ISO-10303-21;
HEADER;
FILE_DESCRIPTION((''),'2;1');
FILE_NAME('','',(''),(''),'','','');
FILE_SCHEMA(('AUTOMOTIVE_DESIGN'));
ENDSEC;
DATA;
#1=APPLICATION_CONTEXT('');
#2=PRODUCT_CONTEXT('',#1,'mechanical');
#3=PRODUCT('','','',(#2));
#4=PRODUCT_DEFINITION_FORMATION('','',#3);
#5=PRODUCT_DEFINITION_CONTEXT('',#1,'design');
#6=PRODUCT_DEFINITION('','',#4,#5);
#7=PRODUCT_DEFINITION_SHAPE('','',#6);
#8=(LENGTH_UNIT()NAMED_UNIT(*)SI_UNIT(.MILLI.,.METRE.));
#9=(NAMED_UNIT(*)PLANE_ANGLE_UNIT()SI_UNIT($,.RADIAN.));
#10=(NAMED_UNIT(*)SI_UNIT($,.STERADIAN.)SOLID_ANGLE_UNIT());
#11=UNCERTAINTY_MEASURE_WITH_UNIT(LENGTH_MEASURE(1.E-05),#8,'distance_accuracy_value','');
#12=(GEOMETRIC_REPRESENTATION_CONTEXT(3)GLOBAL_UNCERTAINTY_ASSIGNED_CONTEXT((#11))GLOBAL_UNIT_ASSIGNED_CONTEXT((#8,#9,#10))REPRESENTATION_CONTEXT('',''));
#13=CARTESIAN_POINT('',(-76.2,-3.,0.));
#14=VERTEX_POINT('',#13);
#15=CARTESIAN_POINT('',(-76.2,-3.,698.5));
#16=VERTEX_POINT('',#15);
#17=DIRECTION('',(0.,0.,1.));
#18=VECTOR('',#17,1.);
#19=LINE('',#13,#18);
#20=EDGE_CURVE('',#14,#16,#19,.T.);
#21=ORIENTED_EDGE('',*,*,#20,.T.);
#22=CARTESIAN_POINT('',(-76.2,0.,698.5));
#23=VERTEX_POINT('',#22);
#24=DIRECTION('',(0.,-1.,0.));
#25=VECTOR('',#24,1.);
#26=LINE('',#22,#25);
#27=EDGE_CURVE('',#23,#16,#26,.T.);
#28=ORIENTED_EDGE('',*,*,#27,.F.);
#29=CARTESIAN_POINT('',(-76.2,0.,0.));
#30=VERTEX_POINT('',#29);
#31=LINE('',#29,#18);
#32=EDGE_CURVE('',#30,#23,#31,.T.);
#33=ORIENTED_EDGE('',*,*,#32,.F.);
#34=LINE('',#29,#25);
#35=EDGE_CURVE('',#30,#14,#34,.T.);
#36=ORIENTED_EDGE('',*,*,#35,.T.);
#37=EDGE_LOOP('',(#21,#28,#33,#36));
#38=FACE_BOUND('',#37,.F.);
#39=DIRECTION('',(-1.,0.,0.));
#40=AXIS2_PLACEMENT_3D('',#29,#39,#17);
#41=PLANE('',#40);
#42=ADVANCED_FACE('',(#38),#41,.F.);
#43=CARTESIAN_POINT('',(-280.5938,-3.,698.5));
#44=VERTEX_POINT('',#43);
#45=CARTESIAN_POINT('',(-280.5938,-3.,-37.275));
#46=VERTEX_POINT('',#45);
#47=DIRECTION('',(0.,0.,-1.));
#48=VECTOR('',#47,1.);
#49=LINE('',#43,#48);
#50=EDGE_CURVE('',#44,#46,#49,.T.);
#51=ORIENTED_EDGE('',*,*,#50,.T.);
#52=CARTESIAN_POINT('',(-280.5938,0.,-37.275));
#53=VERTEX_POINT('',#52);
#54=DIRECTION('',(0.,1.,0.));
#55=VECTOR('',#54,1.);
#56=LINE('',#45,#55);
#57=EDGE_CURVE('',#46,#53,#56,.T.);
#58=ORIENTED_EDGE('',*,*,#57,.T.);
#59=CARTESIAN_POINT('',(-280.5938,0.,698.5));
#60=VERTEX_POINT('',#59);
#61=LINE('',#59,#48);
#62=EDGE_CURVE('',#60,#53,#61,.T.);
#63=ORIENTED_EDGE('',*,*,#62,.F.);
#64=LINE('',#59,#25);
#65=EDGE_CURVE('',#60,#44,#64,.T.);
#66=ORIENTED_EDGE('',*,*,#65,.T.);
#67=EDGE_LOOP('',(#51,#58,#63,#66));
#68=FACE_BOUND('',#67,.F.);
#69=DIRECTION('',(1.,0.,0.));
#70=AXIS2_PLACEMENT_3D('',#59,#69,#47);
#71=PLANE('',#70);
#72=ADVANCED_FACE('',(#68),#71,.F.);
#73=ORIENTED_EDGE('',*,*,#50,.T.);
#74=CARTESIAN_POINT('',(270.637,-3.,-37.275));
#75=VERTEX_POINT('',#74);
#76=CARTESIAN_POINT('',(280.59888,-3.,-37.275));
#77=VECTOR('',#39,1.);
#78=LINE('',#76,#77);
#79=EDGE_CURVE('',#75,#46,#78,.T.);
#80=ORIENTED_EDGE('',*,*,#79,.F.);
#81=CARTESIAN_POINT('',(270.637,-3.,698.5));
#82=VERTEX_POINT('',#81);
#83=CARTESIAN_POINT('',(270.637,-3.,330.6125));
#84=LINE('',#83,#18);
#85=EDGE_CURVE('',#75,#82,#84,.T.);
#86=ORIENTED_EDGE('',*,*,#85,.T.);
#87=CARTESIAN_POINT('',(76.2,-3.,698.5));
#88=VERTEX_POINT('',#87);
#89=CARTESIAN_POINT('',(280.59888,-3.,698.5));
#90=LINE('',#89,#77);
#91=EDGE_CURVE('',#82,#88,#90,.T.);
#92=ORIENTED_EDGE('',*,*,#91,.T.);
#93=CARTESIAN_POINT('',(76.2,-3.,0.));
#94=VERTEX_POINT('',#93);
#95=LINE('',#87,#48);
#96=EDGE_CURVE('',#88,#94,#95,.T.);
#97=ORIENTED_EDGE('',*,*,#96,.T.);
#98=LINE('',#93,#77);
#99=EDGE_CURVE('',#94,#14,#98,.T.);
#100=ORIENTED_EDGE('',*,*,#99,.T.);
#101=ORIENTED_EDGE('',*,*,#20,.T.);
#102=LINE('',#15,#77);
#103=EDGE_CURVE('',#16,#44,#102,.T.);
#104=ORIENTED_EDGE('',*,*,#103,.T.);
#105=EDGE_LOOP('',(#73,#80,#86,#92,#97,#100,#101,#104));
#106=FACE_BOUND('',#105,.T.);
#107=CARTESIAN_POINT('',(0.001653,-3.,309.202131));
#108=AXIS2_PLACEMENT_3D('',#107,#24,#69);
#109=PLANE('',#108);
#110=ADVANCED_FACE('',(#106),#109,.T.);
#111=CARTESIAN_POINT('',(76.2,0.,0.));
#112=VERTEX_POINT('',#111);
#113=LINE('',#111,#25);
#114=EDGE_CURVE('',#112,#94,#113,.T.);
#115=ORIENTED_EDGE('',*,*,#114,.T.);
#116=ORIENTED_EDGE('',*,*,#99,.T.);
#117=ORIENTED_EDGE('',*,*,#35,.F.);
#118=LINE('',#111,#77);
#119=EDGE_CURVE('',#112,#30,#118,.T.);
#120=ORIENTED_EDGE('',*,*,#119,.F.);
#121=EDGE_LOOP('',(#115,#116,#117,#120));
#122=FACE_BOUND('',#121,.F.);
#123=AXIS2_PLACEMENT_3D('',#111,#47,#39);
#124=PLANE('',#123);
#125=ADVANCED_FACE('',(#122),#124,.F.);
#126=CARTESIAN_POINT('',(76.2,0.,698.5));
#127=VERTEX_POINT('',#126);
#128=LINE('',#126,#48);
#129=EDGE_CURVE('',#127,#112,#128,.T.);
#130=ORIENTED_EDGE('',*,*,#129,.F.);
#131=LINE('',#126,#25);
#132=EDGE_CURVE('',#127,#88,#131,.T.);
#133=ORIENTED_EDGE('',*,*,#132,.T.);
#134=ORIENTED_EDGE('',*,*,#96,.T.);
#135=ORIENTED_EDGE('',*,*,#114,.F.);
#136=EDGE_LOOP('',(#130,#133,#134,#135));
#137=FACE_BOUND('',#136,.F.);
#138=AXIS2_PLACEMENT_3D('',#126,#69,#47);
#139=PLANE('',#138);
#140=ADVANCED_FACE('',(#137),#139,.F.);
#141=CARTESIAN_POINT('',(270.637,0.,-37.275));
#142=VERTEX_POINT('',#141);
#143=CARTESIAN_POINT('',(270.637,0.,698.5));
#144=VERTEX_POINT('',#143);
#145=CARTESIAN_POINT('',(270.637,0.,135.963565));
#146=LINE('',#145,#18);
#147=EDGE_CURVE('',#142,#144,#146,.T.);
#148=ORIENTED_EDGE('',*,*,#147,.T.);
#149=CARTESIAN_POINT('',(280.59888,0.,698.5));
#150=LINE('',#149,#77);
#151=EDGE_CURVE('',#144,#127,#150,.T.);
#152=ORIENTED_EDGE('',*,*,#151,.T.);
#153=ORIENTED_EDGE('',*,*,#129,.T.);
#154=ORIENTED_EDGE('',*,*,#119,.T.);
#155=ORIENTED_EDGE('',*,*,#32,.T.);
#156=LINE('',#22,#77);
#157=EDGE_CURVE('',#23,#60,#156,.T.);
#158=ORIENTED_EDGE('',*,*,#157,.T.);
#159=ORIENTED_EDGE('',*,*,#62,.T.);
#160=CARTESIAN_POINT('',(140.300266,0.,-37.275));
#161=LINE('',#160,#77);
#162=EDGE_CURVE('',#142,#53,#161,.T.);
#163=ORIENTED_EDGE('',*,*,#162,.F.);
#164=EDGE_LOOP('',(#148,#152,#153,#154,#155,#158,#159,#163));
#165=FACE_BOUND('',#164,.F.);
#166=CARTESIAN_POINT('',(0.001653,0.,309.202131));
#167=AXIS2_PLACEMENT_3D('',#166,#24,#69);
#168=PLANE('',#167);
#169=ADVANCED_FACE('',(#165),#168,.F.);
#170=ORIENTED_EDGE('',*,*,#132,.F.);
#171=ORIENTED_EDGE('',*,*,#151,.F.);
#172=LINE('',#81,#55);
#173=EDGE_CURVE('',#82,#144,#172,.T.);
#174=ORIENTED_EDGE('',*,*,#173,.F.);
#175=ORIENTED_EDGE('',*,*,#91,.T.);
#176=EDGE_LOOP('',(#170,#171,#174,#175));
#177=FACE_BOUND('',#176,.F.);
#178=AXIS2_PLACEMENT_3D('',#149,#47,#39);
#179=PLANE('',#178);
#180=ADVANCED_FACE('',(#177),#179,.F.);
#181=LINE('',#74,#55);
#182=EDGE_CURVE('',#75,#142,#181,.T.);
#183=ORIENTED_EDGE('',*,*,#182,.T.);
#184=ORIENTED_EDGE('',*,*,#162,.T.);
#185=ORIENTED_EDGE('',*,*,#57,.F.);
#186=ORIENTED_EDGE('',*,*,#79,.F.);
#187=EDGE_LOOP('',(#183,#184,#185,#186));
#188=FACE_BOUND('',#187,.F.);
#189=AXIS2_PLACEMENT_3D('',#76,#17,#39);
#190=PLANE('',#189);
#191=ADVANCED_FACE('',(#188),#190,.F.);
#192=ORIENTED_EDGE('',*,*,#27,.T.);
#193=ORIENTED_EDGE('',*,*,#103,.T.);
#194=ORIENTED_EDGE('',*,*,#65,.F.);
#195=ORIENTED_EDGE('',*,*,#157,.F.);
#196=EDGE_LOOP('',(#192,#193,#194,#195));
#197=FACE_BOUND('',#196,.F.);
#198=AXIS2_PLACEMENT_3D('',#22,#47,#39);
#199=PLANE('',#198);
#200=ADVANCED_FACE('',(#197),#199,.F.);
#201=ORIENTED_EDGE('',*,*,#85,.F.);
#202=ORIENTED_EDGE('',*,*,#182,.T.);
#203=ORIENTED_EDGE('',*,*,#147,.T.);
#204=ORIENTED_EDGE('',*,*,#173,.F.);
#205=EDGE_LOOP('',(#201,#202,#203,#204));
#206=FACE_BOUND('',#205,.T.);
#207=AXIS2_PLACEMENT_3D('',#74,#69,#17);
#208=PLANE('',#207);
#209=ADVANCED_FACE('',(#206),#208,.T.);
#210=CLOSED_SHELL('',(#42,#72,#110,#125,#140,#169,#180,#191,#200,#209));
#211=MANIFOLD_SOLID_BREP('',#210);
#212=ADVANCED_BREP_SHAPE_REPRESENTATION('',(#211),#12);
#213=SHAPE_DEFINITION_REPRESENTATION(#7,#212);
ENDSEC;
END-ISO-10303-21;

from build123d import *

# Parameters (mm, degrees)
F1_DEPTH = 3
F3_DEPTH = 25.4
F4_W     = 9.96188
F4_H     = 735.775
F5_DEPTH = 25.4


with BuildPart() as f1:
    # F0 (on Front) → F1 (new body)
    with BuildSketch(Plane.XZ):
        Polygon((-76.2, 698.5), (-280.5938, 698.5), (-280.5938, -41.275), (280.59888, -41.275), (280.59888, 698.5), (76.2, 698.5), (76.2, 0), (0, 0), (-76.2, 0), align=None)
    extrude(amount=F1_DEPTH)

    # F2 (on face) → F3 (cut)
    with BuildSketch(Plane.XZ.offset(3)):
        Polygon((-280.5938, -37.275), (-280.5938, -41.275), (-280.2390158176, -41.275), (280.59888, -41.275), (280.59888, -37.275), align=None)
    extrude(amount=-F3_DEPTH, mode=Mode.SUBTRACT)

    # F4 (on face) → F5 (cut)
    with BuildSketch(Plane.XZ.offset(3)):
        with Locations((275.61794, 330.6125)):
            Rectangle(F4_W, F4_H)
    extrude(amount=-F5_DEPTH, mode=Mode.SUBTRACT)


solid = f1.part
